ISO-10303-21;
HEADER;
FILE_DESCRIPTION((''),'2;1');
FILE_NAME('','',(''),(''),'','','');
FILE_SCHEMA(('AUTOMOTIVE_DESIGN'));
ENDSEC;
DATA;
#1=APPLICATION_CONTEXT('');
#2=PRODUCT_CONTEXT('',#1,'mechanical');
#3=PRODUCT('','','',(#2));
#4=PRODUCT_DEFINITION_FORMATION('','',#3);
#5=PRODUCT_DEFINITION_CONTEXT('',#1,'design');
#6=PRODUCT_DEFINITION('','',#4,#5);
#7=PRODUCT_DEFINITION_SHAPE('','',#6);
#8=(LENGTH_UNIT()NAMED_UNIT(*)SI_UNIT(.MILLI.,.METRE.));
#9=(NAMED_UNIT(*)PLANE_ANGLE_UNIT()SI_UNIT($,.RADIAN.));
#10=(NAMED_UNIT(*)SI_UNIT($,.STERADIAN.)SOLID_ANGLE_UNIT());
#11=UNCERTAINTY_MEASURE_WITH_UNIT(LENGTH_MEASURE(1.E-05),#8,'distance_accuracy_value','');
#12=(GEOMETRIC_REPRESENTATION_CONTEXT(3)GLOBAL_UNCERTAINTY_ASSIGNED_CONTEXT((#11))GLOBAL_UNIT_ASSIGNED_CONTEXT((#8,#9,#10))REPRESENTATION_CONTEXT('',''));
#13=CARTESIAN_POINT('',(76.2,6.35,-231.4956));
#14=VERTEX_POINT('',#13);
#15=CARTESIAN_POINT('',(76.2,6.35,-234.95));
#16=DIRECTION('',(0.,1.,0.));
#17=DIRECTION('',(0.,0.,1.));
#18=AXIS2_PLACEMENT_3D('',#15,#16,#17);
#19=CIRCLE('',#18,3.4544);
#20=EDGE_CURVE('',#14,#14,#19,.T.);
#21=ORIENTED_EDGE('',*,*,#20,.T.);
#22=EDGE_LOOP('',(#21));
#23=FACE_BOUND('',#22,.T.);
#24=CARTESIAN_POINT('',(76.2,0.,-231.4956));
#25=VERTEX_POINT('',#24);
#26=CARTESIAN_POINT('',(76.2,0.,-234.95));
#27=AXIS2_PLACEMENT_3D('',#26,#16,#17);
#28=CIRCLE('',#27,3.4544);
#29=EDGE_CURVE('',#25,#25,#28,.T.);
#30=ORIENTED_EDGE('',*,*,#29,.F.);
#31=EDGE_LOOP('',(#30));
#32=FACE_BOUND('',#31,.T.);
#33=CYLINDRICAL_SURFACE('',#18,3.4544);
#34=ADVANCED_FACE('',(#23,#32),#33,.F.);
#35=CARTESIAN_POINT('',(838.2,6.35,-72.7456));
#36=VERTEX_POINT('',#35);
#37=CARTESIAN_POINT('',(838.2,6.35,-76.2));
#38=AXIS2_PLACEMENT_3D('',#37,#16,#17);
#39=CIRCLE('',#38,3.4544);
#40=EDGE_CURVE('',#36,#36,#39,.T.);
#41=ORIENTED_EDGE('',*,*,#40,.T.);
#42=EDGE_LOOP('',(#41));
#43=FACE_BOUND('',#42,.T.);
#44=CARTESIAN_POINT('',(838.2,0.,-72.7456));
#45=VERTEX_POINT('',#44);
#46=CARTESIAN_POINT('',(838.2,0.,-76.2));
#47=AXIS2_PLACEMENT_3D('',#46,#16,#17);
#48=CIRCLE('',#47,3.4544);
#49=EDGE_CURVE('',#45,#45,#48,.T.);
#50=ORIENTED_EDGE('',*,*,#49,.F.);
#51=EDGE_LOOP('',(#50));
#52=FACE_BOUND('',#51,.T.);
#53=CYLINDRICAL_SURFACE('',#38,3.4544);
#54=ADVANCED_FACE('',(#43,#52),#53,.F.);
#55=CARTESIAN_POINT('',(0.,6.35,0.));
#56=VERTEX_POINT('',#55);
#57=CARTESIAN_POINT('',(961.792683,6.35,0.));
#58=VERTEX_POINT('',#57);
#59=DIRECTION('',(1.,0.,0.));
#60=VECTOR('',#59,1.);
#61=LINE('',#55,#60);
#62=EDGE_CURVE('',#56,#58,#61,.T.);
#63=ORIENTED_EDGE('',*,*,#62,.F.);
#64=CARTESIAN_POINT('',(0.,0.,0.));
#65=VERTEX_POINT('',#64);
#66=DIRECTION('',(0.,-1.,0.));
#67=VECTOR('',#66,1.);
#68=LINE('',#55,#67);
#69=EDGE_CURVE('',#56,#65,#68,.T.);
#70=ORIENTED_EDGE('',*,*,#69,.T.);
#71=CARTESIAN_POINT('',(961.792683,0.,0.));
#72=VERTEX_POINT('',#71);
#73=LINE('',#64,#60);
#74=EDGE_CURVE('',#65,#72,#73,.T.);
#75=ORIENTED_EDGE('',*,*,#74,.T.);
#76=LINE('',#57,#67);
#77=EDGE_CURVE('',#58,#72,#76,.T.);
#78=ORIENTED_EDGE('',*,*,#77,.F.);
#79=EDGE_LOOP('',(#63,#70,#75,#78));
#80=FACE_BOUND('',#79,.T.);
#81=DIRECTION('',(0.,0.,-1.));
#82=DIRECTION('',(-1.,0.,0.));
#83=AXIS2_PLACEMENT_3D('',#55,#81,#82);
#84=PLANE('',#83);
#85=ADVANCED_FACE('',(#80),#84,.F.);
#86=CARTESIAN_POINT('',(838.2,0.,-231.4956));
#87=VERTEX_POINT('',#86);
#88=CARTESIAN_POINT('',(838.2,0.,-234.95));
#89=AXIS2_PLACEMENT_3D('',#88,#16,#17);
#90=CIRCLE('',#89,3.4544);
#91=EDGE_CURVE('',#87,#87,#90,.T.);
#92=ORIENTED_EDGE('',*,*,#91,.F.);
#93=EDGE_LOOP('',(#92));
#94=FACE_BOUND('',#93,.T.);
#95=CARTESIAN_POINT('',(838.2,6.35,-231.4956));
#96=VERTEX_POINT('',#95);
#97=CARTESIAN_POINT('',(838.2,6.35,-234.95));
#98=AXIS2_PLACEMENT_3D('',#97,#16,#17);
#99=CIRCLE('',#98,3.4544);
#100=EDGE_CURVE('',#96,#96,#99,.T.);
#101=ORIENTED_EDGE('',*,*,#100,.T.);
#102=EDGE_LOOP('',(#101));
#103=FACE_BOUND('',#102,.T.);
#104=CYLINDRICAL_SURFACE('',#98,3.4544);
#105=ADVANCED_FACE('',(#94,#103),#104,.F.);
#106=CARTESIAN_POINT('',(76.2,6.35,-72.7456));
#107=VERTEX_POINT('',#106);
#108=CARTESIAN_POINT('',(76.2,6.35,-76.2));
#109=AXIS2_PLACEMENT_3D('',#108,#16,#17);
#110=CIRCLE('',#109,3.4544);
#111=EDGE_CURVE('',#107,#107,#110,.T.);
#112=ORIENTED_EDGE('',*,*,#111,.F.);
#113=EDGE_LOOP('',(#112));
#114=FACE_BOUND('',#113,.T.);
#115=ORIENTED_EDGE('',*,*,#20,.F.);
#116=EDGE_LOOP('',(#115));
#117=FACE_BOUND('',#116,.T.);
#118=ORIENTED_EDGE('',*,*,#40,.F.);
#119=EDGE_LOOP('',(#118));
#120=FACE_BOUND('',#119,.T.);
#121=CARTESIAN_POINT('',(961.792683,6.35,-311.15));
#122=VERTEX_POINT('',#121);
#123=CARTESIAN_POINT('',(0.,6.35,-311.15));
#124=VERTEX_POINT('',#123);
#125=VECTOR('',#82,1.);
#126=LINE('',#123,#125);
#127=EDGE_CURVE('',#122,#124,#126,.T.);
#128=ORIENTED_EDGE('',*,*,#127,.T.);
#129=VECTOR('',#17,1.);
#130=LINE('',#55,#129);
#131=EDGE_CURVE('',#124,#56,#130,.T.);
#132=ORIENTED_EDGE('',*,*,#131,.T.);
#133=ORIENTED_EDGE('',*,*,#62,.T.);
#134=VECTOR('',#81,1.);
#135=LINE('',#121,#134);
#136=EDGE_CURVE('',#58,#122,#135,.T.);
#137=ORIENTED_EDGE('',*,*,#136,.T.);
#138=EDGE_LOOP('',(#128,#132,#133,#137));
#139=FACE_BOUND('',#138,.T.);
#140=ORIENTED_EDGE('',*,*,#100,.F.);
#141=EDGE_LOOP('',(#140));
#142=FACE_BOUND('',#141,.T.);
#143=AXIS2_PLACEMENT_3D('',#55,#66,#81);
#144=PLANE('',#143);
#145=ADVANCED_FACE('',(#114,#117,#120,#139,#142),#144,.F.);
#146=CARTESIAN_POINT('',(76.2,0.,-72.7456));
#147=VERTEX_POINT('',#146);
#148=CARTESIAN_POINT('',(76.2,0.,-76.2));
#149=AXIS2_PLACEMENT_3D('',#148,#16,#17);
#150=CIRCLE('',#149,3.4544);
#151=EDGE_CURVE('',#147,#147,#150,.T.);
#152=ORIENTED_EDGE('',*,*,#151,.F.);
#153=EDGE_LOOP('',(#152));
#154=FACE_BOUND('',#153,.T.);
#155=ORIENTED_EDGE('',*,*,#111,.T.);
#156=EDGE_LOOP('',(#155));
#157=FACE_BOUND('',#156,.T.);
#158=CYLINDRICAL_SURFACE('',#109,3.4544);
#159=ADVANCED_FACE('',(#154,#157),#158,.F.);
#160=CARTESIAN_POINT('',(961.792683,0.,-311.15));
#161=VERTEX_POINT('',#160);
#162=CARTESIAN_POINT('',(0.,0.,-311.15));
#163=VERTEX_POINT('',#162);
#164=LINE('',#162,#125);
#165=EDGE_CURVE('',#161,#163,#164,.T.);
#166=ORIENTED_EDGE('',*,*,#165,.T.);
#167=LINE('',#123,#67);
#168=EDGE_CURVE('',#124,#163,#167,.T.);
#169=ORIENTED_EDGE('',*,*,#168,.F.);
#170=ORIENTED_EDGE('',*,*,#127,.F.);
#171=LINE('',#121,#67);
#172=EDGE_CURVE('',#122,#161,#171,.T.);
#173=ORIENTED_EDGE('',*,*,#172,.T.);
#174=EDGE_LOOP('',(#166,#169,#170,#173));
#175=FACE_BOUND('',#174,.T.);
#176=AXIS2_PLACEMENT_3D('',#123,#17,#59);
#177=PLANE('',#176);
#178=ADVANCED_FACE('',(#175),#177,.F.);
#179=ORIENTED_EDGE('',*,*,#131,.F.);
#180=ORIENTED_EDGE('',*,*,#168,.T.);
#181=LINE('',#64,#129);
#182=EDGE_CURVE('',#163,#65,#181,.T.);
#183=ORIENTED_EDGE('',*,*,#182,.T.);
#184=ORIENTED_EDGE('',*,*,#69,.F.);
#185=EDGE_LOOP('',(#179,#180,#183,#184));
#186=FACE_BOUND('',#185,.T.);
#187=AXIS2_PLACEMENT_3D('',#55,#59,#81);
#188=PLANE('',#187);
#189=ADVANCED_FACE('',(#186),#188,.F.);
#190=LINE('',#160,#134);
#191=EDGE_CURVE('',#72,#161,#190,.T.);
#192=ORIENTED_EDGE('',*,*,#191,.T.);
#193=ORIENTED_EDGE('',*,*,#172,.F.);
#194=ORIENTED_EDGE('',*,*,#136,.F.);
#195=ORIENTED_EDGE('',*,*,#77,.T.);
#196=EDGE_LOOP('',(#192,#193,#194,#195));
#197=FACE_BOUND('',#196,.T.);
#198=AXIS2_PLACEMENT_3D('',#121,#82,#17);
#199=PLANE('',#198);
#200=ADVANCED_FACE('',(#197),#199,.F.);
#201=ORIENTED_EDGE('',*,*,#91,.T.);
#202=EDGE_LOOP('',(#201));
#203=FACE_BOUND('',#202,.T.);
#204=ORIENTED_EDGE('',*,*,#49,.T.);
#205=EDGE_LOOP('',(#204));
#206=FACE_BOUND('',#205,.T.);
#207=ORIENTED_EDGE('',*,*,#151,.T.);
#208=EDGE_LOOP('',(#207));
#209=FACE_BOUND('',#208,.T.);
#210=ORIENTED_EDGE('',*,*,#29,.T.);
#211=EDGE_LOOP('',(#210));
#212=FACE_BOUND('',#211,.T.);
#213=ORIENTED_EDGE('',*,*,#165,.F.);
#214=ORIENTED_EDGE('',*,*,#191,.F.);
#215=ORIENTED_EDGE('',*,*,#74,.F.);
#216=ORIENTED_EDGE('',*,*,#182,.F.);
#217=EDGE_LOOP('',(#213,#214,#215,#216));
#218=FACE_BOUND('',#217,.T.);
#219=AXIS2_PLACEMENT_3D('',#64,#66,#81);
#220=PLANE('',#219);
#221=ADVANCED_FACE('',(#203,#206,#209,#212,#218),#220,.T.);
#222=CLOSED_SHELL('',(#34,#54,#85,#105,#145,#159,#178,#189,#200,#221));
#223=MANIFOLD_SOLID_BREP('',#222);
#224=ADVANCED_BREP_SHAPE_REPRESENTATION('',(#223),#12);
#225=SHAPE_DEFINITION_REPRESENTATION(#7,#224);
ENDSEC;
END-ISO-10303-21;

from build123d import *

# Parameters (mm, degrees)
SKETCH1_W                    = 961.792682927
SKETCH1_H                    = 311.15
BOSS_EXTRUDE1_DEPTH          = 6.35
TAP_DRILL_FOR_5_16_24_TAP1_D = 6.9088
TAP_DRILL_FOR_5_16_24_TAP2_D = 6.9088
TAP_DRILL_FOR_5_16_24_TAP3_D = 6.9088
TAP_DRILL_FOR_5_16_24_TAP4_D = 6.9088


with BuildPart() as part:
    # Sketch1 → Boss-Extrude1 (new body)
    with BuildSketch(Plane(origin=(0, 0, 0), x_dir=(1, 0, 0), z_dir=(0, 1, 0))):
        with Locations((480.896341464, 155.575)):
            Rectangle(SKETCH1_W, SKETCH1_H)
    extrude(amount=BOSS_EXTRUDE1_DEPTH)

    # Tap Drill for 5/16-24 Tap1 (through all)
    with Locations(Plane(origin=(0, 6.35, 0), x_dir=(1, 0, 0), z_dir=(0, 1, 0))):
        with Locations((76.2, 76.2)):
            Hole(TAP_DRILL_FOR_5_16_24_TAP1_D / 2)

    # Tap Drill for 5/16-24 Tap2 (through all)
    with Locations(Plane(origin=(0, 6.35, 0), x_dir=(1, 0, 0), z_dir=(0, 1, 0))):
        with Locations((76.2, 234.95)):
            Hole(TAP_DRILL_FOR_5_16_24_TAP2_D / 2)

    # Tap Drill for 5/16-24 Tap3 (through all)
    with Locations(Plane(origin=(0, 6.35, 0), x_dir=(1, 0, 0), z_dir=(0, 1, 0))):
        with Locations((838.2, 76.2)):
            Hole(TAP_DRILL_FOR_5_16_24_TAP3_D / 2)

    # Tap Drill for 5/16-24 Tap4 (through all)
    with Locations(Plane(origin=(0, 6.35, 0), x_dir=(1, 0, 0), z_dir=(0, 1, 0))):
        with Locations((838.2, 234.95)):
            Hole(TAP_DRILL_FOR_5_16_24_TAP4_D / 2)


solid = part.part
